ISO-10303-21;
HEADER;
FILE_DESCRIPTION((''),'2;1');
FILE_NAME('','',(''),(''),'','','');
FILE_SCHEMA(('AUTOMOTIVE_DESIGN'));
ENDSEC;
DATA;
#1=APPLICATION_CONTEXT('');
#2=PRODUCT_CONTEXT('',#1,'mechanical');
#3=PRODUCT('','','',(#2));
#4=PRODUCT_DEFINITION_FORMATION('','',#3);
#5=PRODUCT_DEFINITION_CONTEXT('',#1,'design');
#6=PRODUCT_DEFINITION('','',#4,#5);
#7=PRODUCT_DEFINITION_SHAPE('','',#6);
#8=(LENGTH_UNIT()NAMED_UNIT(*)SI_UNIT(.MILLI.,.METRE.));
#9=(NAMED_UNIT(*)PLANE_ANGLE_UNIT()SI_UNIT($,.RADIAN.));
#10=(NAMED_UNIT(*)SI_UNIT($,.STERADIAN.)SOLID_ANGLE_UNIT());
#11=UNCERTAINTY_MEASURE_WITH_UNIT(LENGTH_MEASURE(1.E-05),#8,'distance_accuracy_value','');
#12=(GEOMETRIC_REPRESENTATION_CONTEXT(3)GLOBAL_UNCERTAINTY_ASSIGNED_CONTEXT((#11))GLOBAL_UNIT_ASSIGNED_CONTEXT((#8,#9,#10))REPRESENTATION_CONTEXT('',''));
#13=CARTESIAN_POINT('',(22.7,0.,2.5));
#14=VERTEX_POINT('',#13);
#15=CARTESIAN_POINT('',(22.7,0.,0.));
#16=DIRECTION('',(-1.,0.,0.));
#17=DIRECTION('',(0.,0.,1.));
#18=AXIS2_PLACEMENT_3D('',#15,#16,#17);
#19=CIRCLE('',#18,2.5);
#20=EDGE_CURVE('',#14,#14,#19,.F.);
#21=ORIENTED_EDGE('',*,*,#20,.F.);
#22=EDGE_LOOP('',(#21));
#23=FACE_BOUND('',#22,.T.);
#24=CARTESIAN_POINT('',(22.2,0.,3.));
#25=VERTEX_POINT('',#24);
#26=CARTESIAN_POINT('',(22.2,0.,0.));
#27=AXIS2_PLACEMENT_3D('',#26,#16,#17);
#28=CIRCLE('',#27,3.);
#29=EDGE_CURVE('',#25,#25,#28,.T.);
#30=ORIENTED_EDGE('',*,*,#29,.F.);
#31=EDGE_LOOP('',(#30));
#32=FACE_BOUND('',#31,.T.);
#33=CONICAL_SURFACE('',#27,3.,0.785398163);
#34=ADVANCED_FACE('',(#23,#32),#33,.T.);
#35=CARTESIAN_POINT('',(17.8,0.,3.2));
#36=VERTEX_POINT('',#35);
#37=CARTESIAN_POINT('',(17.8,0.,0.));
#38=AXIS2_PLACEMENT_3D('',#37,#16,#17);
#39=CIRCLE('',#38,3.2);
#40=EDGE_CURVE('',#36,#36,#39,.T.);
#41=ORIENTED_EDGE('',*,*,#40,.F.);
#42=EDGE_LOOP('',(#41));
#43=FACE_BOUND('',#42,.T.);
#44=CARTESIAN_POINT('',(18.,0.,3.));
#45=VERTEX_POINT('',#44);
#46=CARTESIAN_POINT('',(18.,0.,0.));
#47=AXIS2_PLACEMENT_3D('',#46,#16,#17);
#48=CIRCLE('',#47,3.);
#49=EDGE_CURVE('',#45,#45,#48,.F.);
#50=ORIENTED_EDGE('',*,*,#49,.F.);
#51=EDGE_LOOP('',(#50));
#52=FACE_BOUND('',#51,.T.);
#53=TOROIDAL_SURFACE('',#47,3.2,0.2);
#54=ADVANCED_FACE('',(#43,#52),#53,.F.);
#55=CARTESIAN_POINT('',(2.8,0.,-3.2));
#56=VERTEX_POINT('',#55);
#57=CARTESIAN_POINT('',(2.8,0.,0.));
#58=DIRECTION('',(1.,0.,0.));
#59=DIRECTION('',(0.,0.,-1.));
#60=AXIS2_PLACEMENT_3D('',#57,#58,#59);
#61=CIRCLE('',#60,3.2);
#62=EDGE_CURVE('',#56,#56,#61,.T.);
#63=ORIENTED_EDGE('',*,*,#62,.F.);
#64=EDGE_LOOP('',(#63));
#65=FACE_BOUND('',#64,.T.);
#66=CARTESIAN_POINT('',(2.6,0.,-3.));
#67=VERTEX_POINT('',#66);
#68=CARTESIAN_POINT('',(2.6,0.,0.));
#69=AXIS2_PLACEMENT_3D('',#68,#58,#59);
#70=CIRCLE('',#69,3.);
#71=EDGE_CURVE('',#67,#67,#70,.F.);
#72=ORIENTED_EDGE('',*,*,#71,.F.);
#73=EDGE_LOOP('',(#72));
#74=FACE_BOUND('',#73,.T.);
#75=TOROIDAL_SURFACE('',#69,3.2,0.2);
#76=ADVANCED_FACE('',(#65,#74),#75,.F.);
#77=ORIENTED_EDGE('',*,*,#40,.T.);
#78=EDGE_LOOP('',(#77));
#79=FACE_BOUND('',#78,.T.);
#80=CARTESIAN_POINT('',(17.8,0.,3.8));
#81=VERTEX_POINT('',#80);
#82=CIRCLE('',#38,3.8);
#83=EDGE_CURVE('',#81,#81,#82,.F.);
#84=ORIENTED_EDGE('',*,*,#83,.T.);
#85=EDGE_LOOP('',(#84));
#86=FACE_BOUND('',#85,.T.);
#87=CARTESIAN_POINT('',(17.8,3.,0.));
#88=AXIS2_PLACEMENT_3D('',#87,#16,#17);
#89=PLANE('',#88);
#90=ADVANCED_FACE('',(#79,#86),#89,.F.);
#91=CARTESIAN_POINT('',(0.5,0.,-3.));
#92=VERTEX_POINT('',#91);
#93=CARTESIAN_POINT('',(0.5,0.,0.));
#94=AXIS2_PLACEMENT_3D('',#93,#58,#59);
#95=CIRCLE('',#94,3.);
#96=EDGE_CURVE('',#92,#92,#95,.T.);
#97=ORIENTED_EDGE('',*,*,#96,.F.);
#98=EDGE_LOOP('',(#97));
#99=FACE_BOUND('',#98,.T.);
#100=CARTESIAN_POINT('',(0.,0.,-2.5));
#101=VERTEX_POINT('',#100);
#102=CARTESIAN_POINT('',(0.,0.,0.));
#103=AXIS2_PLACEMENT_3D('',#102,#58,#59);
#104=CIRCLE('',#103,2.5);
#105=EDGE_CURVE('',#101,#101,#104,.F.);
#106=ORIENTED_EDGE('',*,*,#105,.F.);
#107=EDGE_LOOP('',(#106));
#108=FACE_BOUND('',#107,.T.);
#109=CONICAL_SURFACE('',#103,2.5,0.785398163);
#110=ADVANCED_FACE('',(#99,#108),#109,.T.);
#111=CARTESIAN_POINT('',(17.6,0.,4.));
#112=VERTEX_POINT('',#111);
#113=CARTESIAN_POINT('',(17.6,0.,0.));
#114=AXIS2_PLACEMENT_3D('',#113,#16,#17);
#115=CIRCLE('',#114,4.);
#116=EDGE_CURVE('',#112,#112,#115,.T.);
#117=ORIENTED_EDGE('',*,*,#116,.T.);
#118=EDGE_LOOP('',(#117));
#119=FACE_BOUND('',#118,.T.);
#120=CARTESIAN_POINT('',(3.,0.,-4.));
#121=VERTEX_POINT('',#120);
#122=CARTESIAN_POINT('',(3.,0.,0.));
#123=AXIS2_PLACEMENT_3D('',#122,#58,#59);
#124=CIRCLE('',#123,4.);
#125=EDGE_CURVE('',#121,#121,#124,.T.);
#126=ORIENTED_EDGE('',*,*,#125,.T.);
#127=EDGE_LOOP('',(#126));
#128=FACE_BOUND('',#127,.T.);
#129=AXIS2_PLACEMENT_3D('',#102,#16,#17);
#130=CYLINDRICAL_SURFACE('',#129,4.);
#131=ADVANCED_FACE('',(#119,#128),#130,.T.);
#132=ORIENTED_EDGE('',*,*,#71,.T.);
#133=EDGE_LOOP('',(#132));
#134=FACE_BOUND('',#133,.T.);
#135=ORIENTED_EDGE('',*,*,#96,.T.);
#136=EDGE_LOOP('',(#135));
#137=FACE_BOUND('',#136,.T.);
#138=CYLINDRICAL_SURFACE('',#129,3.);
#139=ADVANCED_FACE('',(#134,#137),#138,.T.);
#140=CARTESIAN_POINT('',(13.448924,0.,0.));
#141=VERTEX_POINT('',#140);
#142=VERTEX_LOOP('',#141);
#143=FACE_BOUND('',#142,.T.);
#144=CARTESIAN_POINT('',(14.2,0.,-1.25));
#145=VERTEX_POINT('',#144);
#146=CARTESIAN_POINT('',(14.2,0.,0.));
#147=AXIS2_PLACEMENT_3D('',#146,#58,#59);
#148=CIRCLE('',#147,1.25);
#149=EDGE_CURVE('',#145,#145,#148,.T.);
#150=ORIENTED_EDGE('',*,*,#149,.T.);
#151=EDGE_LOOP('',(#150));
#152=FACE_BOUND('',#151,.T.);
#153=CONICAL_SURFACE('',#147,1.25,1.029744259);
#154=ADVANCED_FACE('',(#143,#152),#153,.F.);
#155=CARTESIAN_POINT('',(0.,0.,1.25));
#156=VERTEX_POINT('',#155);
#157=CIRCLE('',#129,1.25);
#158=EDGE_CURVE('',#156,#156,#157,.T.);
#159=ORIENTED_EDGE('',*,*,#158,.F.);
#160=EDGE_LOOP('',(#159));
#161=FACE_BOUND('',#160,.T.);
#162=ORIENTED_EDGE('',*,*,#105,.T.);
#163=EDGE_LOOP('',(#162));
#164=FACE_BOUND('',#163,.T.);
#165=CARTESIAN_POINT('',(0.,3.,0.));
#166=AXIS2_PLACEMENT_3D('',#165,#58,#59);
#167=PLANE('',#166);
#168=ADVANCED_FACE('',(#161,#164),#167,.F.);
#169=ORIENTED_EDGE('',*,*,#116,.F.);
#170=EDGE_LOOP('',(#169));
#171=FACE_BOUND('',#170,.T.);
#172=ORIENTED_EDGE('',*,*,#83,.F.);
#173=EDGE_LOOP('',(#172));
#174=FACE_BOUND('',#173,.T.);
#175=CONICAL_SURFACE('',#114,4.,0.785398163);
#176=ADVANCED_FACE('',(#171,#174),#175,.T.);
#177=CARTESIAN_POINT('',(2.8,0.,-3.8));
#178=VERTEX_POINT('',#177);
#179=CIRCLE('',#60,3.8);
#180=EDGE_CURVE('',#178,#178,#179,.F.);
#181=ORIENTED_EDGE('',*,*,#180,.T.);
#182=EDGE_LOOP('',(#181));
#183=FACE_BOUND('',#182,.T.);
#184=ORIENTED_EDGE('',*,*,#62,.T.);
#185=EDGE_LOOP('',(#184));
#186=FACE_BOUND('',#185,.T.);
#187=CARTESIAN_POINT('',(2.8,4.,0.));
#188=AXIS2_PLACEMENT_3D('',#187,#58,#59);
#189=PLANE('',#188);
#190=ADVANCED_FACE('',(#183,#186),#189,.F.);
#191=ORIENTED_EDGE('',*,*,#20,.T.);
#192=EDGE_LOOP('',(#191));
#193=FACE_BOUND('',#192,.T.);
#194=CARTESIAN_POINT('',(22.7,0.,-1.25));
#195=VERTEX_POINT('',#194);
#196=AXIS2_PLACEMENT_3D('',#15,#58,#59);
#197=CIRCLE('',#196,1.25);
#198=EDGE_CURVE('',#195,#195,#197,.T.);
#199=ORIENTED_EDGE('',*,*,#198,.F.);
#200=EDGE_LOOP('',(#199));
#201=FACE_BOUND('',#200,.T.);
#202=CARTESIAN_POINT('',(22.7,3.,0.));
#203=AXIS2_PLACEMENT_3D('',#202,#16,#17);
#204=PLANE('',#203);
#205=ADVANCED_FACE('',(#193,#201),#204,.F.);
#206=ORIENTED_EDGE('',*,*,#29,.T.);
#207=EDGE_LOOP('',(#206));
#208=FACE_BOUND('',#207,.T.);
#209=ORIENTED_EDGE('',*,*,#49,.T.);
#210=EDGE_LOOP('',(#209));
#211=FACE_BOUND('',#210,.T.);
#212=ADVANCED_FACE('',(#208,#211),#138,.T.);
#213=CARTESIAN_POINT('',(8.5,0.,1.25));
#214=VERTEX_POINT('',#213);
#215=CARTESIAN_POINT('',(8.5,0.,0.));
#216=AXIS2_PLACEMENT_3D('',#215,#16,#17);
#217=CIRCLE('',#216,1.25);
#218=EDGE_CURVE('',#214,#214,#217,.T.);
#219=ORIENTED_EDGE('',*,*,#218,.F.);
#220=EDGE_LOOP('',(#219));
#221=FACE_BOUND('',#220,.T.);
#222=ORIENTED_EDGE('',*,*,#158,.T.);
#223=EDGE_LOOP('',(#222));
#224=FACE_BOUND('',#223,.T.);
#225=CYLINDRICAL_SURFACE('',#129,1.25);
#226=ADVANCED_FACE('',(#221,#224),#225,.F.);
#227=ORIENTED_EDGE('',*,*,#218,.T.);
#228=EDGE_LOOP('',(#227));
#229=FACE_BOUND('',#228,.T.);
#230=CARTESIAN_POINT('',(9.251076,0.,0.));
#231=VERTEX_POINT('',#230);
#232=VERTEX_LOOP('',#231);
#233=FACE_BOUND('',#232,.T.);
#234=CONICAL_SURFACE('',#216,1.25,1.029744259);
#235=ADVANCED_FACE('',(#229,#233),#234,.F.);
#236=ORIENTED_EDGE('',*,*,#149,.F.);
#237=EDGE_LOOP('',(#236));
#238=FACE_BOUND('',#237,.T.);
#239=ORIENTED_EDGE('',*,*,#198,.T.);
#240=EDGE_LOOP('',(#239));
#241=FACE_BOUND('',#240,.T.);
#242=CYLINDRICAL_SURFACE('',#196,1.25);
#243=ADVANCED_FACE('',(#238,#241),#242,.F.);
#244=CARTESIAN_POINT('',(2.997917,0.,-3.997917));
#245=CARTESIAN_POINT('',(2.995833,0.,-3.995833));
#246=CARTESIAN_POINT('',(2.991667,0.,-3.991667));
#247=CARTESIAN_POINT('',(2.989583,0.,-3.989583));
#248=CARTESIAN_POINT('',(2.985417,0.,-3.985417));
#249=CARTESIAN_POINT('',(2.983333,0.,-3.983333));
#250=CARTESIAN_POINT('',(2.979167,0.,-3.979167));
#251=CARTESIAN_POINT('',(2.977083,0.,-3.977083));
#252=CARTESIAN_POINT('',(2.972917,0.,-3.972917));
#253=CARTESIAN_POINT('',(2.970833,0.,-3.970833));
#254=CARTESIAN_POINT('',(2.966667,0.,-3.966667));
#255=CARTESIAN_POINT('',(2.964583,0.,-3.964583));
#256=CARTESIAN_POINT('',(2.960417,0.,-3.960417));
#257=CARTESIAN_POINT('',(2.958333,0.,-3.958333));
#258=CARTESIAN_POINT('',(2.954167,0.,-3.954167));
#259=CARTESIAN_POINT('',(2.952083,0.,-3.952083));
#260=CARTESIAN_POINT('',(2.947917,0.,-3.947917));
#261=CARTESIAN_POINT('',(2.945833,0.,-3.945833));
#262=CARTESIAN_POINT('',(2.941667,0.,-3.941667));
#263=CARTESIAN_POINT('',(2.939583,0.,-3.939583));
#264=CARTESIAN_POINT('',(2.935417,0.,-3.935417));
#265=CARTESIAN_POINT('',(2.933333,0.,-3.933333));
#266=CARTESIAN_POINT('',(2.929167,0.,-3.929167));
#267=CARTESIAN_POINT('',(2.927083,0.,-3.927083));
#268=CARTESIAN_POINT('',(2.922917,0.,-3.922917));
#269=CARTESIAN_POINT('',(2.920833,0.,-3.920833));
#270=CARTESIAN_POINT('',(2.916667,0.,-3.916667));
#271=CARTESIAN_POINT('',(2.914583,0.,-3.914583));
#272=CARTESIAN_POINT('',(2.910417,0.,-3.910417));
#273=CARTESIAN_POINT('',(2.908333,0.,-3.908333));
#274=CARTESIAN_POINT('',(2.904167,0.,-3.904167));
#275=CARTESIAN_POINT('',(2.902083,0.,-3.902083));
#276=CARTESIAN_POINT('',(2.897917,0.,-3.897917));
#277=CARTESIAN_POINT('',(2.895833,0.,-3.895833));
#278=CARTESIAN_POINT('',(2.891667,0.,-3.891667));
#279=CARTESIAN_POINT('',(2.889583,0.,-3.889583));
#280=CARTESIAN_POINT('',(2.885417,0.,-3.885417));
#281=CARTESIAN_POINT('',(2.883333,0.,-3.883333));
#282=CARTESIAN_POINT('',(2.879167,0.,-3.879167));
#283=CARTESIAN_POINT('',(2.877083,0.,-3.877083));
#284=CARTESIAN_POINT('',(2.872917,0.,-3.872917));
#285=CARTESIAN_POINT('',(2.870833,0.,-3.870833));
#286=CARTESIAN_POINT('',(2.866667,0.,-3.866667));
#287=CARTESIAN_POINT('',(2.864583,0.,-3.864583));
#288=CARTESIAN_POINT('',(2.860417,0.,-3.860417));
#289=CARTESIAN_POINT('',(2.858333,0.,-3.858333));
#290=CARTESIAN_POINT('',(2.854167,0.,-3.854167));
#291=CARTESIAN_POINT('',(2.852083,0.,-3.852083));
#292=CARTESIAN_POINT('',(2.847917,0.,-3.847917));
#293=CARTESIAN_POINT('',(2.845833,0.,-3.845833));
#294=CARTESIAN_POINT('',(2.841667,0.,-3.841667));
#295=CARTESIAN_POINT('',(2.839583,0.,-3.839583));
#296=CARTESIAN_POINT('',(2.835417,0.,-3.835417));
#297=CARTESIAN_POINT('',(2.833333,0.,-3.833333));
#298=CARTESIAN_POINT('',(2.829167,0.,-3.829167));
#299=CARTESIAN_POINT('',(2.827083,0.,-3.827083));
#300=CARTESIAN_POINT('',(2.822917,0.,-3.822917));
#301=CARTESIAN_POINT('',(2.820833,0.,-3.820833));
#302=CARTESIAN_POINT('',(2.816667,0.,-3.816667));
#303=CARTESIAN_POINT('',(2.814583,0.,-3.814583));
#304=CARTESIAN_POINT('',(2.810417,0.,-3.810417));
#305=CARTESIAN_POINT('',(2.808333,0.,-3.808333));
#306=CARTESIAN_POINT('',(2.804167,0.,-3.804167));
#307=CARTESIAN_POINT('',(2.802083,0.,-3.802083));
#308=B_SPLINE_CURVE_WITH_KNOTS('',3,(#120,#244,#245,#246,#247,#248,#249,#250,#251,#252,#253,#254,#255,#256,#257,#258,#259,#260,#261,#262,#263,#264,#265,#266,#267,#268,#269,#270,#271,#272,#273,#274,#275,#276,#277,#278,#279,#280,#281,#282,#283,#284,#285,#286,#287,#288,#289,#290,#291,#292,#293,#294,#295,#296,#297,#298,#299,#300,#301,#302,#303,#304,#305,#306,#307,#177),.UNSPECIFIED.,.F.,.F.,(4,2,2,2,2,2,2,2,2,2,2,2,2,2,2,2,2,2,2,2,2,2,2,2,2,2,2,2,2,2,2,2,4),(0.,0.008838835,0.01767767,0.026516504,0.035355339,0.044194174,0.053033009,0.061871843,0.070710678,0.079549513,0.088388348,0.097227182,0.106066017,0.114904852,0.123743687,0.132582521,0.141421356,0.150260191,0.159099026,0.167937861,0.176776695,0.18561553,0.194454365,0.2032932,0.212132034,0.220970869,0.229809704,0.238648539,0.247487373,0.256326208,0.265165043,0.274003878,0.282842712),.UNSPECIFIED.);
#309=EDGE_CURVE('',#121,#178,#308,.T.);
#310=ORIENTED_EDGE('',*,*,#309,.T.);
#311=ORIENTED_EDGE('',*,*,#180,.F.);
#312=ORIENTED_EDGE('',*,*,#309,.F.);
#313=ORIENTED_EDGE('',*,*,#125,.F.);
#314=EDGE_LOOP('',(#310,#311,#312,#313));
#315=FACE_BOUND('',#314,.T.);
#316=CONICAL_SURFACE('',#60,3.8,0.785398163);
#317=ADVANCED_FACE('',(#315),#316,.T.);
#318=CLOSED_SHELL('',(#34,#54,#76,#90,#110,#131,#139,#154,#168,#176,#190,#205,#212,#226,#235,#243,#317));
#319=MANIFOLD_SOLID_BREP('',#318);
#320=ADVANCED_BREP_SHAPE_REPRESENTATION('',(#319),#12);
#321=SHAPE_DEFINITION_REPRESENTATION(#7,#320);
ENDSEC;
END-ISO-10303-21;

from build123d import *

# Parameters (mm, degrees)
TAPPED_HOLE1_D     = 2.5
TAPPED_HOLE1_DEPTH = 8.5
TAPPED_HOLE1_TIP   = 0.751075774
TAPPED_HOLE2_D     = 2.5
TAPPED_HOLE2_DEPTH = 8.5
TAPPED_HOLE2_TIP   = 0.751075774
CHAMFER1_SIZE      = 0.2
CHAMFER2_SIZE      = 0.2
CHAMFER3_SIZE      = 0.5
FILLET1_R          = 0.2
FILLET2_R          = 0.2


with BuildPart() as part:
    # Sketch1 → Revolve1 (revolve)
    with BuildSketch(Plane.XY):
        Polygon((0, 0), (22.7, 0), (22.7, 3), (17.8, 3), (17.8, 4), (2.8, 4), (2.8, 3), (0, 3), align=None)
    revolve(axis=Axis((0, 0, 0), (1, 0, 0)))

    # Tapped Hole1
    with Locations(Plane.ZY):
        with Locations((0, 0)):
            Hole(TAPPED_HOLE1_D / 2, depth=TAPPED_HOLE1_DEPTH)
            with Locations((0, 0, -(TAPPED_HOLE1_DEPTH + TAPPED_HOLE1_TIP / 2))):  # 118° drill point
                Cone(0, TAPPED_HOLE1_D / 2, TAPPED_HOLE1_TIP, mode=Mode.SUBTRACT)

    # Tapped Hole2
    with Locations(Plane(origin=(22.7, 0, 0), x_dir=(0, 0, -1), z_dir=(1, 0, 0))):
        with Locations((0, 0)):
            Hole(TAPPED_HOLE2_D / 2, depth=TAPPED_HOLE2_DEPTH)
            with Locations((0, 0, -(TAPPED_HOLE2_DEPTH + TAPPED_HOLE2_TIP / 2))):  # 118° drill point
                Cone(0, TAPPED_HOLE2_D / 2, TAPPED_HOLE2_TIP, mode=Mode.SUBTRACT)

    # Chamfer1
    chamfer1_edges = [part.edges().sort_by_distance(p)[0] for p in [
        (17.8, -4, 0),
    ]]
    chamfer(chamfer1_edges, length=CHAMFER1_SIZE)

    # Chamfer2
    chamfer2_edges = [part.edges().sort_by_distance(p)[0] for p in [
        (2.8, -4, 0),
    ]]
    chamfer(chamfer2_edges, length=CHAMFER2_SIZE)

    # Chamfer3
    chamfer3_edges = [part.edges().sort_by_distance(p)[0] for p in [
        (22.7, -3, 0),
        (0, -3, 0),
    ]]
    chamfer(chamfer3_edges, length=CHAMFER3_SIZE)

    # Fillet1
    fillet1_edges = [part.edges().sort_by_distance(p)[0] for p in [
        (2.8, -3, 0),
    ]]
    fillet(fillet1_edges, radius=FILLET1_R)

    # Fillet2
    fillet2_edges = [part.edges().sort_by_distance(p)[0] for p in [
        (17.8, -3, 0),
    ]]
    fillet(fillet2_edges, radius=FILLET2_R)


solid = part.part
